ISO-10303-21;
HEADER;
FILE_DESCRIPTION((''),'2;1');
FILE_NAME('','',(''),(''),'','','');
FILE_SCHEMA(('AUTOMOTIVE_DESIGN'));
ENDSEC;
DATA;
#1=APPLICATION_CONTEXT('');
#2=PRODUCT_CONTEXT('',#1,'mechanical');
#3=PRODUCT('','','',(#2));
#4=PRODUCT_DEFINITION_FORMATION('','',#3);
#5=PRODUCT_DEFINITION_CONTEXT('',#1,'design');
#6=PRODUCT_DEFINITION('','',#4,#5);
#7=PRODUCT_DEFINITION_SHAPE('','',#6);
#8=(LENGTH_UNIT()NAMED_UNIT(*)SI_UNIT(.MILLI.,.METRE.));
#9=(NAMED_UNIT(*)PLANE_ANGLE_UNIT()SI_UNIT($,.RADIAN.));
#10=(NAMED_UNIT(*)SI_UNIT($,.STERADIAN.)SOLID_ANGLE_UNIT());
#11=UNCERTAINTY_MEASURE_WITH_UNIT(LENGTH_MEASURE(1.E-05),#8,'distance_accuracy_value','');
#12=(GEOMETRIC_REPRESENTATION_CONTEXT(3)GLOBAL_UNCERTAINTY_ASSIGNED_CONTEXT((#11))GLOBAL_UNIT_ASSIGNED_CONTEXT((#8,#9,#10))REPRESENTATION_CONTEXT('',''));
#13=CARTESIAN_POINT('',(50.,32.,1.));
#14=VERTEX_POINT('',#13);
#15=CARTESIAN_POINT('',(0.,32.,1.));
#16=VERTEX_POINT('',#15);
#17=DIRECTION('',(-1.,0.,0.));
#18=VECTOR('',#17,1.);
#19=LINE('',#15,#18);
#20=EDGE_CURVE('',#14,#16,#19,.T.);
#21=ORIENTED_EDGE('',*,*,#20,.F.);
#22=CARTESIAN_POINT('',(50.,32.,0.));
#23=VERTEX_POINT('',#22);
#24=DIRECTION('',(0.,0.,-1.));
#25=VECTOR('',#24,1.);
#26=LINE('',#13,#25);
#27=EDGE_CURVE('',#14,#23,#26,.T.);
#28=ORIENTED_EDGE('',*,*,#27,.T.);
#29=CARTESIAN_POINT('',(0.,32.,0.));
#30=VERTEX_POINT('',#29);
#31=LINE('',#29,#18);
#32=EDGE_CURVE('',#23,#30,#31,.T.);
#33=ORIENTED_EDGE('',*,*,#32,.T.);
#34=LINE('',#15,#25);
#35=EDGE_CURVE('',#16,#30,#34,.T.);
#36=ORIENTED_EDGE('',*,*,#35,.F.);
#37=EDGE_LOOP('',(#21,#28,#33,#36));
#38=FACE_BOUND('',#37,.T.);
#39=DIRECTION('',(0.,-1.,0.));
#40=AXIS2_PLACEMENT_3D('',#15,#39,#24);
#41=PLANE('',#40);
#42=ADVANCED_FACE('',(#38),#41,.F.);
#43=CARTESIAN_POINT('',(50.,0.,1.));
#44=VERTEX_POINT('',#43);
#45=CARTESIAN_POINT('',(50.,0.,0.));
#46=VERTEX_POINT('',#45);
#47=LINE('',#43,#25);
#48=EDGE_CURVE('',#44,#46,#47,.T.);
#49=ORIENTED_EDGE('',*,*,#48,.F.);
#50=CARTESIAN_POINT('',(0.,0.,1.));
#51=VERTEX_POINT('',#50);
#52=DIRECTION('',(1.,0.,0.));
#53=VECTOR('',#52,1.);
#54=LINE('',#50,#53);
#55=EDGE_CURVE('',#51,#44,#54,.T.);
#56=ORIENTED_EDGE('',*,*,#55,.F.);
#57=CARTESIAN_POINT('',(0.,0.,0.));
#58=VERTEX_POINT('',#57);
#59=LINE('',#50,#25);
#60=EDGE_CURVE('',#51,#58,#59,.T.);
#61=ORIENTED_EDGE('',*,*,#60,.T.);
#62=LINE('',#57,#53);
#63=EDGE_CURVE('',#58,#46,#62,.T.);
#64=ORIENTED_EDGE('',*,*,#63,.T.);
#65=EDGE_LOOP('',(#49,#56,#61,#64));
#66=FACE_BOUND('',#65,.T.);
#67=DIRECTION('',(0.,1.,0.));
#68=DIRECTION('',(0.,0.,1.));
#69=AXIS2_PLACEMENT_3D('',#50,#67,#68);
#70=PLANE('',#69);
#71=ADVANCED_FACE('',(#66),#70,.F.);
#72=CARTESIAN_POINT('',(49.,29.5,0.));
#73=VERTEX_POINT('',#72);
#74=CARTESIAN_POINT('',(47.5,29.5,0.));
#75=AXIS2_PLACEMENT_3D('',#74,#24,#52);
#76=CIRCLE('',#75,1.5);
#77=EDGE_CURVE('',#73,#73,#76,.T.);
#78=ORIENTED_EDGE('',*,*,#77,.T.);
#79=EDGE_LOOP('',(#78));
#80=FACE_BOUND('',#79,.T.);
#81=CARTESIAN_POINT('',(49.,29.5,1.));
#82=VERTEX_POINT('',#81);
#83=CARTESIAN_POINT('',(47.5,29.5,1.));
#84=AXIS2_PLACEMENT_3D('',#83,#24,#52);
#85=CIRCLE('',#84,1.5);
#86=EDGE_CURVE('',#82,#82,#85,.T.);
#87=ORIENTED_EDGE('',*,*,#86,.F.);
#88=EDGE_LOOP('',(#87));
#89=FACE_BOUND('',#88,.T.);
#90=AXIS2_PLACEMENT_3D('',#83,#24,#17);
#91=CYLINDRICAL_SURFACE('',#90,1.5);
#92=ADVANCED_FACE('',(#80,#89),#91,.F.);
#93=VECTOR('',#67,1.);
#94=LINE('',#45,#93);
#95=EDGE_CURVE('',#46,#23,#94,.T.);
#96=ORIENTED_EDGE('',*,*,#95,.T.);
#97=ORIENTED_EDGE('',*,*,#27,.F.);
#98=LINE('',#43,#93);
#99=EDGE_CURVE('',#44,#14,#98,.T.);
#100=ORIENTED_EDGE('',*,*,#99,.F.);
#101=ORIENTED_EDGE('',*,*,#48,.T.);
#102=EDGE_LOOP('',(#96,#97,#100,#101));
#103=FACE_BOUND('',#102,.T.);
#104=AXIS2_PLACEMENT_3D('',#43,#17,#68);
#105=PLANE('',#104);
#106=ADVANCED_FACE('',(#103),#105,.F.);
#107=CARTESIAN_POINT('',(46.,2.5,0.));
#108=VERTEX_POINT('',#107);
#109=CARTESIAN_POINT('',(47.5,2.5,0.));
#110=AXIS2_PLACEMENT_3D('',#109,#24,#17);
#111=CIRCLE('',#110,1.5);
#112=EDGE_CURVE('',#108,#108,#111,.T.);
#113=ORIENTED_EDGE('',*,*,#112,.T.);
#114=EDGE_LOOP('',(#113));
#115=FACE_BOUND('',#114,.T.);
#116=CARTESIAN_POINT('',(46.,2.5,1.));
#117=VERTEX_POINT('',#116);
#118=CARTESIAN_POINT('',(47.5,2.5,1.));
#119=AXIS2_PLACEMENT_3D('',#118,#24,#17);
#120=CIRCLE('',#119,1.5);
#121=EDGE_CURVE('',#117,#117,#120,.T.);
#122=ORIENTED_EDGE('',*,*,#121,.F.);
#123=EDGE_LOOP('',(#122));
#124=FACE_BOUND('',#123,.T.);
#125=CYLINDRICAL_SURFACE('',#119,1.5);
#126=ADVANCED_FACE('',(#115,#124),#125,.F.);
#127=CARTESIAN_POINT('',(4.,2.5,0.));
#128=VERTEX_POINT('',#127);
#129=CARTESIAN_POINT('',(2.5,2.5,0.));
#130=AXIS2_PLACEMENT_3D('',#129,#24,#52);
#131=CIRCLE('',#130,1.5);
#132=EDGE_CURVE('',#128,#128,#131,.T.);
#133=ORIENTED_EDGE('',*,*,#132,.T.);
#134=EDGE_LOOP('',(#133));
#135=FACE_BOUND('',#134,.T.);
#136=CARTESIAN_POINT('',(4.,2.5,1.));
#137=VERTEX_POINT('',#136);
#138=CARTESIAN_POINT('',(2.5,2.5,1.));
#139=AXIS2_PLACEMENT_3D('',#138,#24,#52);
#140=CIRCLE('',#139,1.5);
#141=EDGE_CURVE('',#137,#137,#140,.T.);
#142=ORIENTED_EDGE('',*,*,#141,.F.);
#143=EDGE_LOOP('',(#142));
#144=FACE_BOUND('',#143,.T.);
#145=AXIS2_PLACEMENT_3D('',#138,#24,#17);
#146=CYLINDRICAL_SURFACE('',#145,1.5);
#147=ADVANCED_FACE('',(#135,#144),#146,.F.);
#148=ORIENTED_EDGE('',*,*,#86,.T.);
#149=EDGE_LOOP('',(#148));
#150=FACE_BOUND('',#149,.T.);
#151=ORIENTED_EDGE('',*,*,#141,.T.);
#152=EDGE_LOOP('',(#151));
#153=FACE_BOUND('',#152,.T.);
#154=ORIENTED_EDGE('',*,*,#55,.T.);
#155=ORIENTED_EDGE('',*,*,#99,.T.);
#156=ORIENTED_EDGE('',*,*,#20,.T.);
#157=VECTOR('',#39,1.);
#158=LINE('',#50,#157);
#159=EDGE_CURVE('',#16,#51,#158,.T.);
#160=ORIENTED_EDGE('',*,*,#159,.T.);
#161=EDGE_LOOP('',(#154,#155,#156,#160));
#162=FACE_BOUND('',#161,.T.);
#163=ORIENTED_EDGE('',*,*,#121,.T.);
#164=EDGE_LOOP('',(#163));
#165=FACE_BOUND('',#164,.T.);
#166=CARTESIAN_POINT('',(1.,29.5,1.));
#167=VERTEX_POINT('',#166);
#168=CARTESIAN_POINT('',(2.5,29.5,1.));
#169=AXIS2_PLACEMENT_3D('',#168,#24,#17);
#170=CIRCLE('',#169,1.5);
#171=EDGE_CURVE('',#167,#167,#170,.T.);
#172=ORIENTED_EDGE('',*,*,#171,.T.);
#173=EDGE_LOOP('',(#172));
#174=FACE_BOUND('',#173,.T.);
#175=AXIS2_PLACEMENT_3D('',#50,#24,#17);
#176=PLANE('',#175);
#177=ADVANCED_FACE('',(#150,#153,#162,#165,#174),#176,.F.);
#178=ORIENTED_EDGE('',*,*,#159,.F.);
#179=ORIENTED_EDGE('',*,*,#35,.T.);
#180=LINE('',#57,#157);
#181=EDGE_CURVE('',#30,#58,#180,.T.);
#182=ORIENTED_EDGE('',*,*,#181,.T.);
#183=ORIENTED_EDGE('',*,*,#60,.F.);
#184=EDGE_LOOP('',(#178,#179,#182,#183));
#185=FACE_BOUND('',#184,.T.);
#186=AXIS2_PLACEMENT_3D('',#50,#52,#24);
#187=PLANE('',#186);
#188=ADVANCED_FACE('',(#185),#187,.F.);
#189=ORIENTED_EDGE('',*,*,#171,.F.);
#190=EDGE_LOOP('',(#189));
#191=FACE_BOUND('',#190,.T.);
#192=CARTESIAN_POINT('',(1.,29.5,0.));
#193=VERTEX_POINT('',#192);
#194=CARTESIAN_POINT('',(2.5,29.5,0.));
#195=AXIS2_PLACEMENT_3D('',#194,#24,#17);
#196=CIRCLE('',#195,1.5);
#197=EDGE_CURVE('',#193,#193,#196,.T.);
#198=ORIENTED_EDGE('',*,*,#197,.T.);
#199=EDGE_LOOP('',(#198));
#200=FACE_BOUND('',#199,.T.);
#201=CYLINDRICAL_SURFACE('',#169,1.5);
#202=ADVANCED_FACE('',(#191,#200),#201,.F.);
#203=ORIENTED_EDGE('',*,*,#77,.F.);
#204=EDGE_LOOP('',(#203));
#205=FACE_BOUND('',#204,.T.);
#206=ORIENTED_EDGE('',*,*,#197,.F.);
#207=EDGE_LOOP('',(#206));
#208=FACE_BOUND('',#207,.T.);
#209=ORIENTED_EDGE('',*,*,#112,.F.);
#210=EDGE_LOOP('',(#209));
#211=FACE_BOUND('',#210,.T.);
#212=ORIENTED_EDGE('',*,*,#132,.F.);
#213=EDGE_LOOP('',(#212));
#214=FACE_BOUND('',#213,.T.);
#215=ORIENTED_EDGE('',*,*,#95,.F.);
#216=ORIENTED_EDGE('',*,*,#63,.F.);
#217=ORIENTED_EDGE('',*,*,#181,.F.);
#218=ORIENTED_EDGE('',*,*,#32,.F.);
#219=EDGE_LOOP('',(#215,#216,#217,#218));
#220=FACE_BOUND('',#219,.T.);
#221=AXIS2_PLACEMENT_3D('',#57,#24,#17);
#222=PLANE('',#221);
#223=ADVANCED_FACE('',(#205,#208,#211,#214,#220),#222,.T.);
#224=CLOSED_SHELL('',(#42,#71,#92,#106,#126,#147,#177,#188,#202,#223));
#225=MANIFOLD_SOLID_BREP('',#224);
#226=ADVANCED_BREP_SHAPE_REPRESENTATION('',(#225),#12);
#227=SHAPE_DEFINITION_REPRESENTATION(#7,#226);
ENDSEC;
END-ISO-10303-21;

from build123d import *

# Parameters (mm, degrees)
ESQUISSE1_W             = 50
ESQUISSE1_H             = 32
BOSS_EXTRU_1_DEPTH      = 1
ESQUISSE2_R             = 1.5
ENL_V_MAT_EXTRU_1_DEPTH = 2


with BuildPart() as part:
    # Esquisse1 → Boss.-Extru.1 (new body)
    with BuildSketch(Plane.XY):
        with Locations((25, 16)):
            Rectangle(ESQUISSE1_W, ESQUISSE1_H)
    extrude(amount=BOSS_EXTRU_1_DEPTH)

    # Esquisse2 → Enlèv. mat.-Extru.1 (cut, through all)
    with BuildSketch(Plane(origin=(0, 0, 0), x_dir=(-1, 0, 0), z_dir=(0, 0, -1))):
        with Locations((-2.5, 29.5)):
            Circle(ESQUISSE2_R)
        with Locations((-2.5, 2.5)):
            Circle(ESQUISSE2_R)
        with Locations((-47.5, 2.5)):
            Circle(ESQUISSE2_R)
        with Locations((-47.5, 29.5)):
            Circle(ESQUISSE2_R)
    extrude(amount=-ENL_V_MAT_EXTRU_1_DEPTH, mode=Mode.SUBTRACT)


solid = part.part
